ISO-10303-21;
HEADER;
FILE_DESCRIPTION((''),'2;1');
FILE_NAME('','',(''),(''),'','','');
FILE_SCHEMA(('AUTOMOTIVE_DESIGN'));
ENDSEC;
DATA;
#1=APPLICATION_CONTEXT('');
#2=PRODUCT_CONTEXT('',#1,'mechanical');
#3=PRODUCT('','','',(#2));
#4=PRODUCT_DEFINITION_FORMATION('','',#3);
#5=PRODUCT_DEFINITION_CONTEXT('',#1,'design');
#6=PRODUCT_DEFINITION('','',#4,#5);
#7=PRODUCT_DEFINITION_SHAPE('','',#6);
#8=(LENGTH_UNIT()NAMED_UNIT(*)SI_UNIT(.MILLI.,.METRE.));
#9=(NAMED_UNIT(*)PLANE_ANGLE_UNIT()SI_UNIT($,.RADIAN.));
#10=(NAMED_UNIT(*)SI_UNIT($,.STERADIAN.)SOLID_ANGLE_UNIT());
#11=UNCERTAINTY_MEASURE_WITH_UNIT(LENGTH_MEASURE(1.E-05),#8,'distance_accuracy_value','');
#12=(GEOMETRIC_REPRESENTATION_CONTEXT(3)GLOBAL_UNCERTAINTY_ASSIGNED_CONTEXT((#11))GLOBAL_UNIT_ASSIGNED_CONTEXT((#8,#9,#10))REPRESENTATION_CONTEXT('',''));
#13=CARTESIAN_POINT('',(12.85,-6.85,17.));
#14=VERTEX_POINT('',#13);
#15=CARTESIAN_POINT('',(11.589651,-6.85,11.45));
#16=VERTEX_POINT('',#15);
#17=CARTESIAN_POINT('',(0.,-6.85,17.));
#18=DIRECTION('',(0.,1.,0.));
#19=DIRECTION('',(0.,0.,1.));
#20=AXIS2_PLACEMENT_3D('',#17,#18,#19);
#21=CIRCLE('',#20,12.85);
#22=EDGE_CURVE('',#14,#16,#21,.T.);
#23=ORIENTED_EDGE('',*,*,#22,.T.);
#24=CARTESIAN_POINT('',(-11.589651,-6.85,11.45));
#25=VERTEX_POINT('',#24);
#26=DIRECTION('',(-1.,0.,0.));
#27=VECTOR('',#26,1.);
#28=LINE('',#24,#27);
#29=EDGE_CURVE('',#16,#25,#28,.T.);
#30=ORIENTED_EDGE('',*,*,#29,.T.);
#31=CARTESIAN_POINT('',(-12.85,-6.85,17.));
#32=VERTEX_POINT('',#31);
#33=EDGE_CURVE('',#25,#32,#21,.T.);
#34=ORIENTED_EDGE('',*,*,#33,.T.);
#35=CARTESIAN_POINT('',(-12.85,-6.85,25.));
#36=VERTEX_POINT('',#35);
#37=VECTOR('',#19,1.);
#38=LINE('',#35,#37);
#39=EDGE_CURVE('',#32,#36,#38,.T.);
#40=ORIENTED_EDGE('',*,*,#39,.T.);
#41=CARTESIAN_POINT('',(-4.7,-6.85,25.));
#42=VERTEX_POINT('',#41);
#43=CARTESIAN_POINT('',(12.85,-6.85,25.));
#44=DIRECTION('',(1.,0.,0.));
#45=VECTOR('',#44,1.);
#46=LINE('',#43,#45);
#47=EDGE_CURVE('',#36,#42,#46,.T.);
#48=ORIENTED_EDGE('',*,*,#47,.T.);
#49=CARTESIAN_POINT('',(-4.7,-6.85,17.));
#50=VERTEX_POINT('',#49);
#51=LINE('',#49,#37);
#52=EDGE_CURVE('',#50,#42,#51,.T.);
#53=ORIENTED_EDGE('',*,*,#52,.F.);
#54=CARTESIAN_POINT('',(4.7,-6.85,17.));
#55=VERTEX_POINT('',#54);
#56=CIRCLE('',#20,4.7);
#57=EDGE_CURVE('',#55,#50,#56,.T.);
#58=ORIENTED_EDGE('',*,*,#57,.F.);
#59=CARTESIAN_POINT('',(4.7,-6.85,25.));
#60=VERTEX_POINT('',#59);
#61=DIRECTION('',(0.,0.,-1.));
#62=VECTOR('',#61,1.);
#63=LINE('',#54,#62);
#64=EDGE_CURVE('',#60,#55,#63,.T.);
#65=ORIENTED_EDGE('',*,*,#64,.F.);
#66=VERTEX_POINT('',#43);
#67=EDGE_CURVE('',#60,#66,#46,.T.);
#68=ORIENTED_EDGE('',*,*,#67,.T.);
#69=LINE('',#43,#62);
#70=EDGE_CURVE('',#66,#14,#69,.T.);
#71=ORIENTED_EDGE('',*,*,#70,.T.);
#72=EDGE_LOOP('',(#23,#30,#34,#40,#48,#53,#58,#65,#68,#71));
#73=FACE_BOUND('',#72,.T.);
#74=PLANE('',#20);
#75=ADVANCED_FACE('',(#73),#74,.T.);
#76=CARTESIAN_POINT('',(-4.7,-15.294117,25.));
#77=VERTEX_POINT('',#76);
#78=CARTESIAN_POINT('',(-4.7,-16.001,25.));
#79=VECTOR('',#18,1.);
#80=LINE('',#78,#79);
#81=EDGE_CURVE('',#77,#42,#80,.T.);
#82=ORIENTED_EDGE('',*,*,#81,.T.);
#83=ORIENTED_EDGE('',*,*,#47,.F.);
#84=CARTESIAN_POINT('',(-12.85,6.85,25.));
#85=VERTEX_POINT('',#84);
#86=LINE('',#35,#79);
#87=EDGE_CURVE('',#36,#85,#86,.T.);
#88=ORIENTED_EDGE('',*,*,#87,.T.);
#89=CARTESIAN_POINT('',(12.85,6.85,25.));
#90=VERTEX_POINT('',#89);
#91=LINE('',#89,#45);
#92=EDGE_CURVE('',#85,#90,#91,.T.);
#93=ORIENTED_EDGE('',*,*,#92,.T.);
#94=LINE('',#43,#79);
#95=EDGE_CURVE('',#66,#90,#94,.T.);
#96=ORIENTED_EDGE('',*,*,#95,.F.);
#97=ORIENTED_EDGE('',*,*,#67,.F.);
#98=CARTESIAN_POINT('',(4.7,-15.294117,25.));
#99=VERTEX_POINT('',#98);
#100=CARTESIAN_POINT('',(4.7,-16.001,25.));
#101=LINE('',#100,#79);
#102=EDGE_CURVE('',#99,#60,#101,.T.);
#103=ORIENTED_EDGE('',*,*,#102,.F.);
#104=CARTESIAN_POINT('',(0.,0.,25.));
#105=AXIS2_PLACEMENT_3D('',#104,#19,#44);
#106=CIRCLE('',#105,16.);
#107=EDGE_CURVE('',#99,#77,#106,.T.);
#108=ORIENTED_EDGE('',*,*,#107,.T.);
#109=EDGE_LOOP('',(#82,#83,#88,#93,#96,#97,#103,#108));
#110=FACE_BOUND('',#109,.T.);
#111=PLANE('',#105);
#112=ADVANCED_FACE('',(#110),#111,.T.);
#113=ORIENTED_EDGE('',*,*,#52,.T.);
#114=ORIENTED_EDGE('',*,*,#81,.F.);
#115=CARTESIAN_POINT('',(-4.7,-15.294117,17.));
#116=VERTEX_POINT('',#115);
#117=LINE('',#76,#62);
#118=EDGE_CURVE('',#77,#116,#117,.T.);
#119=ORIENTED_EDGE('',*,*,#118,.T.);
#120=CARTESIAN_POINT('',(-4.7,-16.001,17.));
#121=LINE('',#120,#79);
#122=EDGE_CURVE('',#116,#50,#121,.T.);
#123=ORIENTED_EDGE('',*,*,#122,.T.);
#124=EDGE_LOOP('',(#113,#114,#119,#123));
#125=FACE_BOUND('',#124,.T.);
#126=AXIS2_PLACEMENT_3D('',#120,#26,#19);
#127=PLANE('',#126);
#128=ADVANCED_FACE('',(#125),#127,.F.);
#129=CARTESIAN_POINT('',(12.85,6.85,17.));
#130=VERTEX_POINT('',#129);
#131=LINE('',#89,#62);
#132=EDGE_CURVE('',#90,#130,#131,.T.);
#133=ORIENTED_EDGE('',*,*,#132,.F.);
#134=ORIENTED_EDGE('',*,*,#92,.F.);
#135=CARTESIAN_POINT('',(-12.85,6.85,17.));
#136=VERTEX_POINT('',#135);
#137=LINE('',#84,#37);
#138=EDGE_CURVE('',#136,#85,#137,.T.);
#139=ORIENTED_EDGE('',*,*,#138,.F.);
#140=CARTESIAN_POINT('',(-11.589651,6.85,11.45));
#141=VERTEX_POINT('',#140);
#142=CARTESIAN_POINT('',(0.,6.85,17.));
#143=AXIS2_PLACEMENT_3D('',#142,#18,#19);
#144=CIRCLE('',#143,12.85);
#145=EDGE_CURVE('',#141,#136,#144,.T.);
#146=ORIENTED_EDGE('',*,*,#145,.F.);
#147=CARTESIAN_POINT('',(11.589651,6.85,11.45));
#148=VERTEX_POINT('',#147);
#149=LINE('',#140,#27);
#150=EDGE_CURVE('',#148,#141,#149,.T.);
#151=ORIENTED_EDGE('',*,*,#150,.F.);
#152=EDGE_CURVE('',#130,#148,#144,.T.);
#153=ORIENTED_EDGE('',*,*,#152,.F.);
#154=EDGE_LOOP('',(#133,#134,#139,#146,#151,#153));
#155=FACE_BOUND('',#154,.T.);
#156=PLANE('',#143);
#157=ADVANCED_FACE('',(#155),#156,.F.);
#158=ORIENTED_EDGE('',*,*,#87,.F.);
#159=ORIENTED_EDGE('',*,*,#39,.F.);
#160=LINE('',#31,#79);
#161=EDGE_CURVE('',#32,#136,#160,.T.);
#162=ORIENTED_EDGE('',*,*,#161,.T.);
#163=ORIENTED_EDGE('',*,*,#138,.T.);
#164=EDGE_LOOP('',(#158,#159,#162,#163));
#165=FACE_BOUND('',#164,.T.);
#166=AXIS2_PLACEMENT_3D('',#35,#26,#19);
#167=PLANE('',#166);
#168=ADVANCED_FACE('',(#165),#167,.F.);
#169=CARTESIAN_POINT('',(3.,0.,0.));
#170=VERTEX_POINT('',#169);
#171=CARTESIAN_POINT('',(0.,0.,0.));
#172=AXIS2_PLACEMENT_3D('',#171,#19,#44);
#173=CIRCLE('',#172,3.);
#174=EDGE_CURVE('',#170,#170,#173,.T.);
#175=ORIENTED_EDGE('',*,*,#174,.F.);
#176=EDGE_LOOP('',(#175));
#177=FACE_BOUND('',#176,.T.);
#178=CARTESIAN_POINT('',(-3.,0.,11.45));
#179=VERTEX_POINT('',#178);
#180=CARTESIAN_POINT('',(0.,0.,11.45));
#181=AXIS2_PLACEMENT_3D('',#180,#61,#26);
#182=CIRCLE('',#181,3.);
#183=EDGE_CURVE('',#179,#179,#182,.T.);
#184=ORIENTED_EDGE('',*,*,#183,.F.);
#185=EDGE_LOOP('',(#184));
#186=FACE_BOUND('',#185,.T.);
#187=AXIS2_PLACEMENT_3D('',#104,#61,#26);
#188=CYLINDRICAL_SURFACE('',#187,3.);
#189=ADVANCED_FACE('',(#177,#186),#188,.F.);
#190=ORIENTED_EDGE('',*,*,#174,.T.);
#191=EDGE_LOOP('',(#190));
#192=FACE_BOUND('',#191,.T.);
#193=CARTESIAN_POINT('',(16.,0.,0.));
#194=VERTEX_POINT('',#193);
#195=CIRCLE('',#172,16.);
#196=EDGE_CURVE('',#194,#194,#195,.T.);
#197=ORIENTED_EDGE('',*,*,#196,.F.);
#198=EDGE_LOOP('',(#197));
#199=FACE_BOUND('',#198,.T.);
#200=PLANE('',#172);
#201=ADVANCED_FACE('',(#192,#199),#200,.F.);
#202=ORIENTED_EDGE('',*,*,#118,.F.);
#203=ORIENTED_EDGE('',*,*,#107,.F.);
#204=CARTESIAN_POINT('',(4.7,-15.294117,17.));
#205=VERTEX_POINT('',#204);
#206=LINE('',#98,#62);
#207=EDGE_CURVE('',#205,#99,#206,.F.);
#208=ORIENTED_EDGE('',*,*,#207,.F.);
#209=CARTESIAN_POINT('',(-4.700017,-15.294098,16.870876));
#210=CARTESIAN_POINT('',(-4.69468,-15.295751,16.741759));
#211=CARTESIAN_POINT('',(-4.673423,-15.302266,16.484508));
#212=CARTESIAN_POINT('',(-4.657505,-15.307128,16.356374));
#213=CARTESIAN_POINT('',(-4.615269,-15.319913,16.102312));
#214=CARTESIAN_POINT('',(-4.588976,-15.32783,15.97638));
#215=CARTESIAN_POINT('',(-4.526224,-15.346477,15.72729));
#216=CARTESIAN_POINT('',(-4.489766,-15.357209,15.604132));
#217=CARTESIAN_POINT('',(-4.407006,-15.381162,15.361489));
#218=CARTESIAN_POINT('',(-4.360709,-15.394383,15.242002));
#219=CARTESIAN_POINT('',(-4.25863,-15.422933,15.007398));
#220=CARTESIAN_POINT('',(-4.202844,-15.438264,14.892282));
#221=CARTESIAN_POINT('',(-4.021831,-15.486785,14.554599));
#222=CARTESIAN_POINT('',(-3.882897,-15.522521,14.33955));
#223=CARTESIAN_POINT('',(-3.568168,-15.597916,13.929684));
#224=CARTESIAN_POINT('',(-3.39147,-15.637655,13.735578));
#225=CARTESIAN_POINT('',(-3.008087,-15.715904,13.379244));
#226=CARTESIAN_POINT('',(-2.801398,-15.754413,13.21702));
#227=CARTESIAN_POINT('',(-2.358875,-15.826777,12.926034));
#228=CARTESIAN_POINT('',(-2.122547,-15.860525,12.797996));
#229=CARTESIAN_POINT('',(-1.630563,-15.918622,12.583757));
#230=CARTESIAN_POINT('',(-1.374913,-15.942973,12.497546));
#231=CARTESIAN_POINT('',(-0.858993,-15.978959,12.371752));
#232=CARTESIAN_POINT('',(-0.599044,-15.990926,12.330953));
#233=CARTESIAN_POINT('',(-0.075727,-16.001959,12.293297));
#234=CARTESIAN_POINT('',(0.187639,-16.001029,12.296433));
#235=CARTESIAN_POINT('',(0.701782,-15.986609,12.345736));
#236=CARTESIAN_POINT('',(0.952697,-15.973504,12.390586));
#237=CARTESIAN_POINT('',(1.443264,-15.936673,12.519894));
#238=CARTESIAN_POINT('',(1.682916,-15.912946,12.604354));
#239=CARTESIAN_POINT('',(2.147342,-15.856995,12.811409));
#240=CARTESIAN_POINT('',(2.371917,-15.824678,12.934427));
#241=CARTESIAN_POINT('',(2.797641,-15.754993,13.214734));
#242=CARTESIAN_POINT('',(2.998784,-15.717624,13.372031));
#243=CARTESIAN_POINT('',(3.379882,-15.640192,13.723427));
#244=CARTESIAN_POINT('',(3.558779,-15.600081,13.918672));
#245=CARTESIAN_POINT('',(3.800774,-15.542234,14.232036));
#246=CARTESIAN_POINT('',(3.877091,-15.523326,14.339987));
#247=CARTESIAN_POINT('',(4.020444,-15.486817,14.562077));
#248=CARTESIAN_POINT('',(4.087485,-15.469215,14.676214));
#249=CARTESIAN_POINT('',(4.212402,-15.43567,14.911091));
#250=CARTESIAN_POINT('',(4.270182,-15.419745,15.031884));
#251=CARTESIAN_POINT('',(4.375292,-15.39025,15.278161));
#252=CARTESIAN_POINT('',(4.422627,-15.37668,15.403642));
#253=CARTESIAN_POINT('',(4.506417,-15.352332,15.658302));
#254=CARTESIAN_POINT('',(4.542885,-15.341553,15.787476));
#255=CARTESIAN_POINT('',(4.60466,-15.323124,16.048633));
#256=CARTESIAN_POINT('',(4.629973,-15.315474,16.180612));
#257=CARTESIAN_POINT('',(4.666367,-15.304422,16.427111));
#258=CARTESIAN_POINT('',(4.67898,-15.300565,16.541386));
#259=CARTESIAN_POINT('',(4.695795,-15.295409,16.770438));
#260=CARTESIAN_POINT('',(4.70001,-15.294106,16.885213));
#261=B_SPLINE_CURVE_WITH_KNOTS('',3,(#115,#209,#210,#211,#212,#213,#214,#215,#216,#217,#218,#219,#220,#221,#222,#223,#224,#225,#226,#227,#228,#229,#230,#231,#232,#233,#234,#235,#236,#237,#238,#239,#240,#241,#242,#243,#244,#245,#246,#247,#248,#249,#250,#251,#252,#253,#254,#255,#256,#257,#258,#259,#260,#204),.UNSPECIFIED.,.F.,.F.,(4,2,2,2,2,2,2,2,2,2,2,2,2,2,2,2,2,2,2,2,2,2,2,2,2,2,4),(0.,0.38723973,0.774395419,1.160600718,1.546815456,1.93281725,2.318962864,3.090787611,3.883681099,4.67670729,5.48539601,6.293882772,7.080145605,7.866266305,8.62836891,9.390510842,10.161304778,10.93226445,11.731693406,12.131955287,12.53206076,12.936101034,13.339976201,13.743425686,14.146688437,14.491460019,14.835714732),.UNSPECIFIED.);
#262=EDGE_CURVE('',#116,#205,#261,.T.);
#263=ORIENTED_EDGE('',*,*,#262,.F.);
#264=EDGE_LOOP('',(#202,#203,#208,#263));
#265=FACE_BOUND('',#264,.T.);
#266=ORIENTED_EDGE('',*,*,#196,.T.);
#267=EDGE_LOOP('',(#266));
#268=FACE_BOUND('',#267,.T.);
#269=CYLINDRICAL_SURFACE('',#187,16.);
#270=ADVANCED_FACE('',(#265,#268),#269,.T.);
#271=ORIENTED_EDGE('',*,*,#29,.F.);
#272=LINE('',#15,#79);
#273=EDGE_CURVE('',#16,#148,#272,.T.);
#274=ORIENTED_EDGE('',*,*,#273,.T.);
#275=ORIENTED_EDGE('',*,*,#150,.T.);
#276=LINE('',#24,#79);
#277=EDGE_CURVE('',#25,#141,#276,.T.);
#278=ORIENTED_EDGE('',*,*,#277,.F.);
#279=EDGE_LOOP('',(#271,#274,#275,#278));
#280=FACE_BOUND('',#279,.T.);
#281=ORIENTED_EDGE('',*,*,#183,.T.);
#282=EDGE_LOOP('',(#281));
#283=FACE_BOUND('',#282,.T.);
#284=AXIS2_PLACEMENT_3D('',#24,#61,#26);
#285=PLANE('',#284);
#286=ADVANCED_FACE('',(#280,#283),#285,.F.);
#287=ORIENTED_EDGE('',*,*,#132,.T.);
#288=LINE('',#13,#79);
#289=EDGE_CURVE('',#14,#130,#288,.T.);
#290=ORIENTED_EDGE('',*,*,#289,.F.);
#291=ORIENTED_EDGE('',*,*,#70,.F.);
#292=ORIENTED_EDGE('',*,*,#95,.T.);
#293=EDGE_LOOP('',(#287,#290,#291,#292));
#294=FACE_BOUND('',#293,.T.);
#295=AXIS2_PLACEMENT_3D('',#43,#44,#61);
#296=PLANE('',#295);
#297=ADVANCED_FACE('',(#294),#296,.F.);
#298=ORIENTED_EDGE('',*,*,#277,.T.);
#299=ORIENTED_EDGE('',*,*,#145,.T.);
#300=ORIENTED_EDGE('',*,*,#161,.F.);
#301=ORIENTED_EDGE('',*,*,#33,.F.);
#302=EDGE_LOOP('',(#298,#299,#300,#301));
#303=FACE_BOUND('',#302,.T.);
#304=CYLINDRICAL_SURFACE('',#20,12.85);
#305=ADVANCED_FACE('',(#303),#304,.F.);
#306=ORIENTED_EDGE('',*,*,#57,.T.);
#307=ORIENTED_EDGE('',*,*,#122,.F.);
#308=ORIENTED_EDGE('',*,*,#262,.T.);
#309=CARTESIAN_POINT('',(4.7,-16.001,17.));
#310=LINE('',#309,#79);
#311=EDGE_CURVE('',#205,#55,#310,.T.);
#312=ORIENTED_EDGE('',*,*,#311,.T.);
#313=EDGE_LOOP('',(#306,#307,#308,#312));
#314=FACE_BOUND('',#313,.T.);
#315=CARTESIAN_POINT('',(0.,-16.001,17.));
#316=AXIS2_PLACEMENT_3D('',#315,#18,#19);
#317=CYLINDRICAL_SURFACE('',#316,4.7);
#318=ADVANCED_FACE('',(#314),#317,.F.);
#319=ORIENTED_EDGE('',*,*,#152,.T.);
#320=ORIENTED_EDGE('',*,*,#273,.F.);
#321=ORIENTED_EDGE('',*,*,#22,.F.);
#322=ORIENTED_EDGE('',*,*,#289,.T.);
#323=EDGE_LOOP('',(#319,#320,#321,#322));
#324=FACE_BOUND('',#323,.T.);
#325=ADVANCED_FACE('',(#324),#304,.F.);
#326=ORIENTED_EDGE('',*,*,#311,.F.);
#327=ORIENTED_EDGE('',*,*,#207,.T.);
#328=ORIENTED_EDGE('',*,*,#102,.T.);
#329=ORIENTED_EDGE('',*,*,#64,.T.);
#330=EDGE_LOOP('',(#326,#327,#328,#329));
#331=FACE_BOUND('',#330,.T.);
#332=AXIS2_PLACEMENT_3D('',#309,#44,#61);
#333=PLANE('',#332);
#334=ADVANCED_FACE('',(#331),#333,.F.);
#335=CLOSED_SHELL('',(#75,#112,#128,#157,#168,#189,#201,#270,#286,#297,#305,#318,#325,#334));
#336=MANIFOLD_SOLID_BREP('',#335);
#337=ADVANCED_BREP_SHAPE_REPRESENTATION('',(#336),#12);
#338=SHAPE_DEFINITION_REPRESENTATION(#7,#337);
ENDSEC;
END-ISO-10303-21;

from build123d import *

# Parameters (mm, degrees)
SKETCH1_R               = 16
SKETCH1_R_2             = 3
BOSS_EXTRUDE1_DEPTH     = 25
CUT_EXTRUDE1_DEPTH      = 6.85
CUT_EXTRUDE2_REACH      = 35.719
CUT_EXTRUDE2_END_RADIUS = 16


with BuildPart() as part:
    # Sketch1 → Boss-Extrude1 (new body)
    with BuildSketch(Plane.XY):
        Circle(SKETCH1_R)
        Circle(SKETCH1_R_2, mode=Mode.SUBTRACT)
    extrude(amount=BOSS_EXTRUDE1_DEPTH)

    # Sketch2 → Cut-Extrude1 (cut, symmetric)
    with BuildSketch(Plane(origin=(0, 0, 0), x_dir=(1, 0, 0), z_dir=(0, 1, 0))):
        with BuildLine():
            Line((-11.589650556, -11.45), (11.589650556, -11.45))
            ThreePointArc((11.589650556, -11.45), (12.530951872, -14.154346265), (12.85, -17))
            Line((12.85, -17), (12.85, -25))
            Line((12.85, -25), (-12.85, -25))
            Line((-12.85, -25), (-12.85, -17))
            ThreePointArc((-12.85, -17), (-12.530951872, -14.154346265), (-11.589650556, -11.45))
        make_face()
    extrude(amount=CUT_EXTRUDE1_DEPTH, both=True, mode=Mode.SUBTRACT)

    # Cut-Extrude2: up to this cylinder (the profile starts inside it)
    cut_extrude2_end = Plane(origin=(0, 0, 19.107252), z_dir=(0, 0, -1)) * Cylinder(CUT_EXTRUDE2_END_RADIUS, 104.438, mode=Mode.PRIVATE)
    # Sketch3 → Cut-Extrude2 (cut, up to the surface)
    with BuildSketch(Plane(origin=(0, 0, 0), x_dir=(1, 0, 0), z_dir=(0, 1, 0)), mode=Mode.PRIVATE) as cut_extrude2_sk1:
        with BuildLine():
            Line((-4.7, -17), (-4.7, -25))
            Line((-4.7, -25), (4.7, -25))
            Line((4.7, -25), (4.7, -17))
            ThreePointArc((4.7, -17), (0, -12.3), (-4.7, -17))
        make_face()
    cut_extrude2_tool1 = extrude(cut_extrude2_sk1.sketch, amount=-CUT_EXTRUDE2_REACH, mode=Mode.PRIVATE) & cut_extrude2_end
    add(cut_extrude2_tool1.solids().sort_by_distance((0, 0, 19.107252))[0], mode=Mode.SUBTRACT)


solid = part.part
